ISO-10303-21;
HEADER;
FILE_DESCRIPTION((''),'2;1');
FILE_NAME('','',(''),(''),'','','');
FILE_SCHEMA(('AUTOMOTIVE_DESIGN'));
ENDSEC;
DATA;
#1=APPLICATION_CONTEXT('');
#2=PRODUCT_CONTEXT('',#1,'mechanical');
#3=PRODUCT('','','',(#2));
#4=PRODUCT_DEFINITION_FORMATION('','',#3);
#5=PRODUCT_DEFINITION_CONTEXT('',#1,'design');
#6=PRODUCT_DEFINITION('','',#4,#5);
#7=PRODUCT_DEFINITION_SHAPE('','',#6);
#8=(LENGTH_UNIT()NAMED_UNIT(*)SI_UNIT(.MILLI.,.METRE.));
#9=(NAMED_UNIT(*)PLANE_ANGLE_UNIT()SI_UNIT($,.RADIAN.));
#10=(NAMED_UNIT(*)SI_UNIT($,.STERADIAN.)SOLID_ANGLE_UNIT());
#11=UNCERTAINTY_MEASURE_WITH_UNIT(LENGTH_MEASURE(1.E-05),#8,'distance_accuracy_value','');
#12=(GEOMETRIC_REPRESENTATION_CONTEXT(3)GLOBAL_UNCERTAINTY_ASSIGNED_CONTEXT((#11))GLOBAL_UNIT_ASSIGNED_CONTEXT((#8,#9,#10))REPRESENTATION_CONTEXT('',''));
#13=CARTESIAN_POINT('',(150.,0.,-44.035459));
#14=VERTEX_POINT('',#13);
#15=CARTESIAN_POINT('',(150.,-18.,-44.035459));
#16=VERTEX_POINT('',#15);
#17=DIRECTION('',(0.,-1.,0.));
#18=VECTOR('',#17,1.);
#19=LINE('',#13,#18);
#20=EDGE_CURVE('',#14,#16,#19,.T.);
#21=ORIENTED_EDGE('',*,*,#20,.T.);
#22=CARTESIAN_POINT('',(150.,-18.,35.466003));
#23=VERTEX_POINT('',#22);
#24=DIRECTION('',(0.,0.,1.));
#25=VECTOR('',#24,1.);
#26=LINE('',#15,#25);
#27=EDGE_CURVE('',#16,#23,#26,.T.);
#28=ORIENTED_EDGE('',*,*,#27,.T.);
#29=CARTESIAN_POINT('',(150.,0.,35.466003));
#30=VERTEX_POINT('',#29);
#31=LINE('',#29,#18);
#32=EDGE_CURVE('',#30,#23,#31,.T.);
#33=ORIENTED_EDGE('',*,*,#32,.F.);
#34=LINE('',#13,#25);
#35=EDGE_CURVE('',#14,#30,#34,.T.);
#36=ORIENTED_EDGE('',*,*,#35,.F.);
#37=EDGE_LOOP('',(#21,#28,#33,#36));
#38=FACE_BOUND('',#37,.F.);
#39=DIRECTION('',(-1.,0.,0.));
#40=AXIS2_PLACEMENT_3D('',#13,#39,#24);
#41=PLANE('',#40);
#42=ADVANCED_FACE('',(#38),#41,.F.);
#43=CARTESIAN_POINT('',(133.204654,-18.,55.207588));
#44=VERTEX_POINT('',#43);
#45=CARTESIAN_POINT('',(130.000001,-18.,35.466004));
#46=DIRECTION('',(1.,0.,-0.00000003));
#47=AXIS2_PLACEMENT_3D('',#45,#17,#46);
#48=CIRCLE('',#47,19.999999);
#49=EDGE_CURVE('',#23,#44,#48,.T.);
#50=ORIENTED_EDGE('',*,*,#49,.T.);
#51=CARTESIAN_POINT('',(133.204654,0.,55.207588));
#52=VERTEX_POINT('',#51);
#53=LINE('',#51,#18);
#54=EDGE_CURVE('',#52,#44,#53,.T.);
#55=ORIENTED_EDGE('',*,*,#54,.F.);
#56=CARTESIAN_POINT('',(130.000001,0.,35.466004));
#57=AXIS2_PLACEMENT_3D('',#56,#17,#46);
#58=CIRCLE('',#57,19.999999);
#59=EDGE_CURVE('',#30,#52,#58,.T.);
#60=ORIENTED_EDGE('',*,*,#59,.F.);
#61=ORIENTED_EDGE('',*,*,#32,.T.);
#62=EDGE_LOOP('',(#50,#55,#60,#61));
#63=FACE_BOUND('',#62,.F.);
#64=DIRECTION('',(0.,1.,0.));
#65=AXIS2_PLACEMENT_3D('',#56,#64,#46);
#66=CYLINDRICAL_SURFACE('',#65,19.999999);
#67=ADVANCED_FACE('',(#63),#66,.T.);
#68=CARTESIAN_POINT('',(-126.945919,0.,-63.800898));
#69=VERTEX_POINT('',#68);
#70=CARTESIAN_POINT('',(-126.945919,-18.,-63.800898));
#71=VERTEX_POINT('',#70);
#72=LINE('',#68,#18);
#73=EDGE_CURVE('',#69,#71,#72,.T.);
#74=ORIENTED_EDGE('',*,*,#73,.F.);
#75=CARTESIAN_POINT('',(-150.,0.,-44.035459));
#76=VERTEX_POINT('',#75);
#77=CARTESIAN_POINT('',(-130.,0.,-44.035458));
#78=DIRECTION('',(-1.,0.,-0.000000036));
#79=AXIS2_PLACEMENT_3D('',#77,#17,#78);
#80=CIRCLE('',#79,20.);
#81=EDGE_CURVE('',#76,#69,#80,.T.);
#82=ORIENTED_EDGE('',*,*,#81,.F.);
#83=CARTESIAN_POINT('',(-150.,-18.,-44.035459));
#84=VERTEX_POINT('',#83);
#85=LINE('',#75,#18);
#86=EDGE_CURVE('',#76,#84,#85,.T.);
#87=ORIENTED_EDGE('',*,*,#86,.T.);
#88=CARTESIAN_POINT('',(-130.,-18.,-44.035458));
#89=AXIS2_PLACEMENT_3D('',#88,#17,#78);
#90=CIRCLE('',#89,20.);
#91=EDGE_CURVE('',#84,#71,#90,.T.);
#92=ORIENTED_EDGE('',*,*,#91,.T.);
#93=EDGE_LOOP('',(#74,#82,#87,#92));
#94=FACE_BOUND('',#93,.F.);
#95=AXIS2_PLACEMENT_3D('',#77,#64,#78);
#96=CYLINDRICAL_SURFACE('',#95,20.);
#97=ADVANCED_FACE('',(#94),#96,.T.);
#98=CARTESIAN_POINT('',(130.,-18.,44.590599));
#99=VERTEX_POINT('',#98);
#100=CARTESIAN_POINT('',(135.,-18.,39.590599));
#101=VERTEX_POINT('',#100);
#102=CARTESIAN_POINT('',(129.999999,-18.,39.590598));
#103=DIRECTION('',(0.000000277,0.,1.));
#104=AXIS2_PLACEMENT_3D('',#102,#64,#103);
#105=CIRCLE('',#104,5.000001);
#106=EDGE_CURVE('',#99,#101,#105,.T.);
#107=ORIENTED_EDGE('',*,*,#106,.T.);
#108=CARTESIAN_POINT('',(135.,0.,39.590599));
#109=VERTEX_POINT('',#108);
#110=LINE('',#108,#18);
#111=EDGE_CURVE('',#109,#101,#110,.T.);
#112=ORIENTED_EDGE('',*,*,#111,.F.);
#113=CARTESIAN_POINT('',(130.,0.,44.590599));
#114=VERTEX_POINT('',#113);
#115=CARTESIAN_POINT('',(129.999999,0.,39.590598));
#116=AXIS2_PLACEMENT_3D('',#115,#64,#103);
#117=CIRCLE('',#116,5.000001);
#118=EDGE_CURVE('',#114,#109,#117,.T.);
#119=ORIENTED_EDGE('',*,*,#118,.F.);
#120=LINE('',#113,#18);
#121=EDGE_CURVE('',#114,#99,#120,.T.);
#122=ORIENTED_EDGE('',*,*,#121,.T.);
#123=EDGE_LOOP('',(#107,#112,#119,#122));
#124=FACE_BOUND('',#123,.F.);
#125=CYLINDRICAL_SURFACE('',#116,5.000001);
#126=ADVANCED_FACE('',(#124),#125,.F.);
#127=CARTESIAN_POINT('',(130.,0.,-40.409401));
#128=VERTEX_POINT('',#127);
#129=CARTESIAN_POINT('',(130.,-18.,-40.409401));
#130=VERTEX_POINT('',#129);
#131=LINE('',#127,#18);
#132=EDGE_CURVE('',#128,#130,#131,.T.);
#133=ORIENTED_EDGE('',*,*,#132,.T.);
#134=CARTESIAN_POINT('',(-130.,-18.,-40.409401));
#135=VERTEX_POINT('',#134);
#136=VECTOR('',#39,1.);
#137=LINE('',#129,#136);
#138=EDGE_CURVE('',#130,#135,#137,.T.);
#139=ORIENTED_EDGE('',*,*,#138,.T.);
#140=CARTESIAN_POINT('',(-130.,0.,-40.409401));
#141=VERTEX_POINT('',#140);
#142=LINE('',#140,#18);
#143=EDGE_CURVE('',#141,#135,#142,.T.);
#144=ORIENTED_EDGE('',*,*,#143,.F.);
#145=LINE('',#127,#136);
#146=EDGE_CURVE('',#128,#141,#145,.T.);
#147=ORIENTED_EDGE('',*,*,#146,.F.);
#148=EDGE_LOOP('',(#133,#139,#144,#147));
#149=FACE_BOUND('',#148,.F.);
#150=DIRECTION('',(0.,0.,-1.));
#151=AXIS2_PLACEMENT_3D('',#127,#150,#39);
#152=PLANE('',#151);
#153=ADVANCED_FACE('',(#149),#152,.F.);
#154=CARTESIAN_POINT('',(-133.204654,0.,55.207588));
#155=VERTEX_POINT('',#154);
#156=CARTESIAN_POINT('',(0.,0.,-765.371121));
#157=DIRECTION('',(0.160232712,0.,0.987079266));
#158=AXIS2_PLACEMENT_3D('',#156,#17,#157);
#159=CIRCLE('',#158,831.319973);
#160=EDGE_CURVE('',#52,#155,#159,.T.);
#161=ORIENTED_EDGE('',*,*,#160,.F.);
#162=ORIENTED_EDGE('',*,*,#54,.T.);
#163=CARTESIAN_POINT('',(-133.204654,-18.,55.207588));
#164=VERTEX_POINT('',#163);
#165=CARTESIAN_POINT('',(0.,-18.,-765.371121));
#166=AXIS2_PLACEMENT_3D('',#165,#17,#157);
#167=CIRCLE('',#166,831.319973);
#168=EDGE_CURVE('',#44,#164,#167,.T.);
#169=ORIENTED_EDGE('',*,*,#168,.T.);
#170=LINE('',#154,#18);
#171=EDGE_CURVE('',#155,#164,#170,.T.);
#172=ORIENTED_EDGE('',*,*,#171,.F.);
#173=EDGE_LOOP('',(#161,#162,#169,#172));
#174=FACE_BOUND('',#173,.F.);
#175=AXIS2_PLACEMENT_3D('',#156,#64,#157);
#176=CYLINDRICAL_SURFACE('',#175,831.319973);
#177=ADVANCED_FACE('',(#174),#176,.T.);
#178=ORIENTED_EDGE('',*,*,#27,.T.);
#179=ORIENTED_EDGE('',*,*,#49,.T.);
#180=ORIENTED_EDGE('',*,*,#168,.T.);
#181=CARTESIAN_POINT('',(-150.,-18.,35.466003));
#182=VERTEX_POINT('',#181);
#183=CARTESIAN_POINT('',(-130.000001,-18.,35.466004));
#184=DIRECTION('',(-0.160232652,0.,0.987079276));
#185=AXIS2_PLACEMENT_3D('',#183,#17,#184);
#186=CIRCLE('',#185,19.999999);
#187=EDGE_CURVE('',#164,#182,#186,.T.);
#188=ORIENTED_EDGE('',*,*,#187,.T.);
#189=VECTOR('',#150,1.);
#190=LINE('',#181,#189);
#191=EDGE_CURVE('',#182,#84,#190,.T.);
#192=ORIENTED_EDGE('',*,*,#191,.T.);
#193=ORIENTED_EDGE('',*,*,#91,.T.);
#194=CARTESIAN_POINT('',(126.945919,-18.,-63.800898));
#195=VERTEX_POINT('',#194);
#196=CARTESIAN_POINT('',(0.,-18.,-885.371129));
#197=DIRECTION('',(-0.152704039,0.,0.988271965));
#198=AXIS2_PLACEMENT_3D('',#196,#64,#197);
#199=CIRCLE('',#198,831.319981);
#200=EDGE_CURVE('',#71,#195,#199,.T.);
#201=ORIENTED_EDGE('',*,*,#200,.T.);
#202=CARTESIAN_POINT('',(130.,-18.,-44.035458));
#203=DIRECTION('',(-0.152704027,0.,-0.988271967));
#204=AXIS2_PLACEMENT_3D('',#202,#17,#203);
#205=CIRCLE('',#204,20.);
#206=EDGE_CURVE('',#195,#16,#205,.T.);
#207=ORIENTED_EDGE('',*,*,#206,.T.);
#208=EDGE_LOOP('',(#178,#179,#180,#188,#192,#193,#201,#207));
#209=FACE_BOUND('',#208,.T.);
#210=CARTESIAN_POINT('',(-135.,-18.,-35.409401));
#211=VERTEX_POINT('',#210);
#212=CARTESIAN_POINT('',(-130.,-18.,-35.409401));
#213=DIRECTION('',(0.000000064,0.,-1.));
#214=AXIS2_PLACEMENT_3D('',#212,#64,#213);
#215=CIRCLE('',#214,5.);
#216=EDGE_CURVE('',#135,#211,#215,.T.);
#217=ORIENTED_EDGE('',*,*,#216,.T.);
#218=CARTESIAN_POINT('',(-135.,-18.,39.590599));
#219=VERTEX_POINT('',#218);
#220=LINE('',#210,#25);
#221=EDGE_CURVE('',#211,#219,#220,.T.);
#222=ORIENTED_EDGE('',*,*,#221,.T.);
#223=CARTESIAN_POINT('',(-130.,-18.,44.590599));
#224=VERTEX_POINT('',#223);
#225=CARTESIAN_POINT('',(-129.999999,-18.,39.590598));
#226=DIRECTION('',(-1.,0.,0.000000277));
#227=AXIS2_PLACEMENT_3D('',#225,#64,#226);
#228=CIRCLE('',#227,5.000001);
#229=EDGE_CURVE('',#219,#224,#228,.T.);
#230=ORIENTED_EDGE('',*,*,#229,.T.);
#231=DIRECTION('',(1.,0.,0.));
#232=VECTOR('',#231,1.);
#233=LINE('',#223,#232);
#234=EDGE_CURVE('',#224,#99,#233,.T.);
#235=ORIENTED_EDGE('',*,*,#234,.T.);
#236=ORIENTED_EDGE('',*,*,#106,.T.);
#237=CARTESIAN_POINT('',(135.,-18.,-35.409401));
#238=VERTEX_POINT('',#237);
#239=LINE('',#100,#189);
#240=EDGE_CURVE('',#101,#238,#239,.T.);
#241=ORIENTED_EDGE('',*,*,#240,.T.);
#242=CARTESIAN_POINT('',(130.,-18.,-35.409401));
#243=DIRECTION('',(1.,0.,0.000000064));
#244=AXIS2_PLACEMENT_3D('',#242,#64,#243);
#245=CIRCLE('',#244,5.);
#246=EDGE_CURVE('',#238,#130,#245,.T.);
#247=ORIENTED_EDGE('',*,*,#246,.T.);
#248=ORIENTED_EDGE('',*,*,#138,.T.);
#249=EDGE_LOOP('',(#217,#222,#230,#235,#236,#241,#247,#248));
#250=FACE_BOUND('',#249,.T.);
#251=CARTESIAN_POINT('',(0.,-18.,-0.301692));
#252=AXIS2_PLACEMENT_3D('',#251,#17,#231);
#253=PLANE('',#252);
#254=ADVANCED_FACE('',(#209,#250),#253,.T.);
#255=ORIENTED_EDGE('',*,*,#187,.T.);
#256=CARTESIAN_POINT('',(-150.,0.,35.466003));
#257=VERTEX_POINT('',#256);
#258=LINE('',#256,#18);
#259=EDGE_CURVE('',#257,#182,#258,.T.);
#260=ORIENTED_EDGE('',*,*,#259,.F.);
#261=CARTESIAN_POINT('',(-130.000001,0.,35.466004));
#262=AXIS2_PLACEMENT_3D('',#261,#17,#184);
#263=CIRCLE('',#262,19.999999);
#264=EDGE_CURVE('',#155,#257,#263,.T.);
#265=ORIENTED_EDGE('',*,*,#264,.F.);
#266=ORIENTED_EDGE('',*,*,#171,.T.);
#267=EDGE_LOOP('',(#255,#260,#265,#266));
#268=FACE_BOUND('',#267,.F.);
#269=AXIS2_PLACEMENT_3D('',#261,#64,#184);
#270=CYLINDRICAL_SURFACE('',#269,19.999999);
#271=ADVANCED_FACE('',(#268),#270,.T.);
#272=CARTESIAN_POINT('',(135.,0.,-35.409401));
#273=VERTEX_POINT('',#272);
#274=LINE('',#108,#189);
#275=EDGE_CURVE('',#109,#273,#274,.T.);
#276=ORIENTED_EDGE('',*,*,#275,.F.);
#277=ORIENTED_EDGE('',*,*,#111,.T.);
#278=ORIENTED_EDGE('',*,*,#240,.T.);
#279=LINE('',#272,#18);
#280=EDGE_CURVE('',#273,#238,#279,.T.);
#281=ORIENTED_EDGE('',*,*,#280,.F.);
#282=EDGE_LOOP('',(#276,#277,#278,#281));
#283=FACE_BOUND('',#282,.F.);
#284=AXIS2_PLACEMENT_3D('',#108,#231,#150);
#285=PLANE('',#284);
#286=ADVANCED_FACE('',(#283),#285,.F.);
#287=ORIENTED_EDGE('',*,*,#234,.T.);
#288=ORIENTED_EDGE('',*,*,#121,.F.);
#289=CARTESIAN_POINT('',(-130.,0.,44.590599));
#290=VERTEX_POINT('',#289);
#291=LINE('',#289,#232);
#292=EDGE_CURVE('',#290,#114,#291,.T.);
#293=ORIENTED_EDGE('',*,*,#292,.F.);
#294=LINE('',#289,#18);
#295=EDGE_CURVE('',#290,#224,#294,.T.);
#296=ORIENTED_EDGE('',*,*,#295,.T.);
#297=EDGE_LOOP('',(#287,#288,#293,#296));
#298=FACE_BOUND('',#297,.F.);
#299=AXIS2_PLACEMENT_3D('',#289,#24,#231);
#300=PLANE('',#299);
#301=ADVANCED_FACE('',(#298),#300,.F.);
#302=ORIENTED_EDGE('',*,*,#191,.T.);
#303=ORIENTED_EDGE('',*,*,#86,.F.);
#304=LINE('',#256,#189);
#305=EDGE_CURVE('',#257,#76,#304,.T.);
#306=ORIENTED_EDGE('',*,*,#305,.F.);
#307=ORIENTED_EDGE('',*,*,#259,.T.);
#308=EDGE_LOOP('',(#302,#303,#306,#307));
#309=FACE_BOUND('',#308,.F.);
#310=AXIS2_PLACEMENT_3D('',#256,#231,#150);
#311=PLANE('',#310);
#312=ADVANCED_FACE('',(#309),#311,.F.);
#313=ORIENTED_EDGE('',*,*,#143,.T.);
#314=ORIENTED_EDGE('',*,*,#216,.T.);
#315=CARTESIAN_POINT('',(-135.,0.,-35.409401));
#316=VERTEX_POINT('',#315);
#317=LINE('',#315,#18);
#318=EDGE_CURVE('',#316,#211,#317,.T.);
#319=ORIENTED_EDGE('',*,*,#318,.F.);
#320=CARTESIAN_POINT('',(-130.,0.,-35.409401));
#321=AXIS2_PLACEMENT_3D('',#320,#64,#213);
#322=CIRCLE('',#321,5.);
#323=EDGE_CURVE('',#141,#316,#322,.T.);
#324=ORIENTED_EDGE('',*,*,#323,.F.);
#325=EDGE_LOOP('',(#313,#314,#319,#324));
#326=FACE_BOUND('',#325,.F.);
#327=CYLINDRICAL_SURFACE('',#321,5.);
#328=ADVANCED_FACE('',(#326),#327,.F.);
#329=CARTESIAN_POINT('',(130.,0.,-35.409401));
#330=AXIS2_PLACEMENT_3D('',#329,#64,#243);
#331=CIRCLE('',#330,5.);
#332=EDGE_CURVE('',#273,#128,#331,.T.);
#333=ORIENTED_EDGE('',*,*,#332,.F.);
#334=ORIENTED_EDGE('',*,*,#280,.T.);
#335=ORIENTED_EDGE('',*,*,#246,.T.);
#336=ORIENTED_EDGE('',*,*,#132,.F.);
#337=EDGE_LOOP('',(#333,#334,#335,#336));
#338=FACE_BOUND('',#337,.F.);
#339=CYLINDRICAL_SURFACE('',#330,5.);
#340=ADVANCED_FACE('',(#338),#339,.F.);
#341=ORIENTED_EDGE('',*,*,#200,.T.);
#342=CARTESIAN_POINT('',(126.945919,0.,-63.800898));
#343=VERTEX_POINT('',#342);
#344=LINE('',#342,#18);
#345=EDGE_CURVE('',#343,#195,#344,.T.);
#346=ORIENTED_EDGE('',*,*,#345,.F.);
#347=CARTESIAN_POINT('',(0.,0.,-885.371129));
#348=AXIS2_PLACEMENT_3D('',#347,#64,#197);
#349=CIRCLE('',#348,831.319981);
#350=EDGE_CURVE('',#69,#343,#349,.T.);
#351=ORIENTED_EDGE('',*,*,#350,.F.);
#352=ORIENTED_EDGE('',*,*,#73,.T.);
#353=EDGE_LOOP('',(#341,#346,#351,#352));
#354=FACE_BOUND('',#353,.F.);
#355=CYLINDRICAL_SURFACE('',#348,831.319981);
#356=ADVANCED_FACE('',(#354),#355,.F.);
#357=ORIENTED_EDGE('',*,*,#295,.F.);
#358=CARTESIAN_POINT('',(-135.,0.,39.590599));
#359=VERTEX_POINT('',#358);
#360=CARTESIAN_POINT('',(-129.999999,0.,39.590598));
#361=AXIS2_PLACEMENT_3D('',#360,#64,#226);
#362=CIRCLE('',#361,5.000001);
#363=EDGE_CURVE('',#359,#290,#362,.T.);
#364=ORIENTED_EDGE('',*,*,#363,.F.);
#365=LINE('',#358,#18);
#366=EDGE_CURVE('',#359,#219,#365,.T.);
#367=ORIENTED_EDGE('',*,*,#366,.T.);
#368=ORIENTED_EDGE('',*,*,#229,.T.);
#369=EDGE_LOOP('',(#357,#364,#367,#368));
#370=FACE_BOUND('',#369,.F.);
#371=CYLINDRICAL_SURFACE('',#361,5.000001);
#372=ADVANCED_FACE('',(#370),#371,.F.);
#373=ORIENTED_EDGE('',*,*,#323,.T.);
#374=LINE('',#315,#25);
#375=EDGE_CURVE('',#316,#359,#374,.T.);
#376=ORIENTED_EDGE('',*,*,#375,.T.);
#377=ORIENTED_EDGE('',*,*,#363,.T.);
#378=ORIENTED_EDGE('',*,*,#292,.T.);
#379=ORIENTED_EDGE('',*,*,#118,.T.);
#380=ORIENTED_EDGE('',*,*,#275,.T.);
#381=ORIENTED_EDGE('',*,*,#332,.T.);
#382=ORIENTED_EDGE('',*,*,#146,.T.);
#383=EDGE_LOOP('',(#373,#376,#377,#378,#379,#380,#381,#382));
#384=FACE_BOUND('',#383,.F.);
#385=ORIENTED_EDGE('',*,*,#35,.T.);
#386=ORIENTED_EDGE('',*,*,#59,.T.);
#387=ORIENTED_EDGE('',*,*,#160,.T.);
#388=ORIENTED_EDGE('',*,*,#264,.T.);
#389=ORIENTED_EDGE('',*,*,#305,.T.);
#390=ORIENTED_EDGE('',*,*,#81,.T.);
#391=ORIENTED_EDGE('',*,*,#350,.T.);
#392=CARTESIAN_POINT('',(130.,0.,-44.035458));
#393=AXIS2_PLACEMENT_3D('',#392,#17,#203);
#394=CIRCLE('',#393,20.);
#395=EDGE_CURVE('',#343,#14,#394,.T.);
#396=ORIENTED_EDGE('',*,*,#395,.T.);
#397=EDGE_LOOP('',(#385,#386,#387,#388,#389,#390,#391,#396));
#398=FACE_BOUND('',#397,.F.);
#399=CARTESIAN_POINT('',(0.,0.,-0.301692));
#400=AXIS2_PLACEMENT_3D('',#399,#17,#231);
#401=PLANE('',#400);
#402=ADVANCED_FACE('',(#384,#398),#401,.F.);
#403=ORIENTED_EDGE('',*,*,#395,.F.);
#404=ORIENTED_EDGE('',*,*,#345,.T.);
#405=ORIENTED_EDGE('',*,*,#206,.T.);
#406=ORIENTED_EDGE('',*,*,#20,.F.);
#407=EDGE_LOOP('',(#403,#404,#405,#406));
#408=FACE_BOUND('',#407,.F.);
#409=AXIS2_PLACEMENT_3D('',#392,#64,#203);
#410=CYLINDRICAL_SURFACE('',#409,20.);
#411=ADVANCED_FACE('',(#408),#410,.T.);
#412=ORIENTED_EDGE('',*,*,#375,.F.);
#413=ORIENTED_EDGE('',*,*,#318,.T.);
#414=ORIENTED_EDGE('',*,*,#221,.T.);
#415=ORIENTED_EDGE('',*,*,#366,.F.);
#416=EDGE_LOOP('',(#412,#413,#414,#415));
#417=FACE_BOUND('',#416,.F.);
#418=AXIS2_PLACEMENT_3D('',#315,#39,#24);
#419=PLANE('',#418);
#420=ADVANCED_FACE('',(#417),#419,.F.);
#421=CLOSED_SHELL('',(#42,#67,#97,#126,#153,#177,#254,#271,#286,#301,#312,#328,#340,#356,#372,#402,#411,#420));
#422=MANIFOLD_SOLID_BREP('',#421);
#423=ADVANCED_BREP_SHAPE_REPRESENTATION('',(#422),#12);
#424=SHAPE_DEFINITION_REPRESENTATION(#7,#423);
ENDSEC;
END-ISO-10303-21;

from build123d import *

# Parameters (mm, degrees)
F1_DEPTH = 18


with BuildPart() as f1:
    # F0 (on Front) → F1 (new body)
    with BuildSketch(Plane.XZ):
        with BuildLine():
            ThreePointArc((-133.204654, 55.207588), (-145.233074, 48.425689), (-150, 35.466003))
            Line((-150, 35.466003), (-150, -44.035459))
            ThreePointArc((-150, -44.035459), (-143.017649, -59.219029), (-126.945919, -63.800898))
            ThreePointArc((-126.945919, -63.800898), (0, -54.051148), (126.945919, -63.800898))
            ThreePointArc((126.945919, -63.800898), (143.017649, -59.219029), (150, -44.035459))
            Line((150, -44.035459), (150, 35.466003))
            ThreePointArc((150, 35.466003), (145.233074, 48.425689), (133.204654, 55.207588))
            ThreePointArc((133.204654, 55.207588), (0, 65.948852), (-133.204654, 55.207588))
        make_face()
        with BuildLine():
            ThreePointArc((135, -35.409401), (133.535534, -38.944935), (130, -40.409401))
            Line((130, -40.409401), (-130, -40.409401))
            ThreePointArc((-130, -40.409401), (-133.535534, -38.944935), (-135, -35.409401))
            Line((-135, -35.409401), (-135, 39.590599))
            ThreePointArc((-135, 39.590599), (-133.535534, 43.126132), (-130, 44.590599))
            Line((-130, 44.590599), (130, 44.590599))
            ThreePointArc((130, 44.590599), (133.535534, 43.126132), (135, 39.590599))
            Line((135, 39.590599), (135, -35.409401))
        make_face(mode=Mode.SUBTRACT)
    extrude(amount=F1_DEPTH)


solid = f1.part
